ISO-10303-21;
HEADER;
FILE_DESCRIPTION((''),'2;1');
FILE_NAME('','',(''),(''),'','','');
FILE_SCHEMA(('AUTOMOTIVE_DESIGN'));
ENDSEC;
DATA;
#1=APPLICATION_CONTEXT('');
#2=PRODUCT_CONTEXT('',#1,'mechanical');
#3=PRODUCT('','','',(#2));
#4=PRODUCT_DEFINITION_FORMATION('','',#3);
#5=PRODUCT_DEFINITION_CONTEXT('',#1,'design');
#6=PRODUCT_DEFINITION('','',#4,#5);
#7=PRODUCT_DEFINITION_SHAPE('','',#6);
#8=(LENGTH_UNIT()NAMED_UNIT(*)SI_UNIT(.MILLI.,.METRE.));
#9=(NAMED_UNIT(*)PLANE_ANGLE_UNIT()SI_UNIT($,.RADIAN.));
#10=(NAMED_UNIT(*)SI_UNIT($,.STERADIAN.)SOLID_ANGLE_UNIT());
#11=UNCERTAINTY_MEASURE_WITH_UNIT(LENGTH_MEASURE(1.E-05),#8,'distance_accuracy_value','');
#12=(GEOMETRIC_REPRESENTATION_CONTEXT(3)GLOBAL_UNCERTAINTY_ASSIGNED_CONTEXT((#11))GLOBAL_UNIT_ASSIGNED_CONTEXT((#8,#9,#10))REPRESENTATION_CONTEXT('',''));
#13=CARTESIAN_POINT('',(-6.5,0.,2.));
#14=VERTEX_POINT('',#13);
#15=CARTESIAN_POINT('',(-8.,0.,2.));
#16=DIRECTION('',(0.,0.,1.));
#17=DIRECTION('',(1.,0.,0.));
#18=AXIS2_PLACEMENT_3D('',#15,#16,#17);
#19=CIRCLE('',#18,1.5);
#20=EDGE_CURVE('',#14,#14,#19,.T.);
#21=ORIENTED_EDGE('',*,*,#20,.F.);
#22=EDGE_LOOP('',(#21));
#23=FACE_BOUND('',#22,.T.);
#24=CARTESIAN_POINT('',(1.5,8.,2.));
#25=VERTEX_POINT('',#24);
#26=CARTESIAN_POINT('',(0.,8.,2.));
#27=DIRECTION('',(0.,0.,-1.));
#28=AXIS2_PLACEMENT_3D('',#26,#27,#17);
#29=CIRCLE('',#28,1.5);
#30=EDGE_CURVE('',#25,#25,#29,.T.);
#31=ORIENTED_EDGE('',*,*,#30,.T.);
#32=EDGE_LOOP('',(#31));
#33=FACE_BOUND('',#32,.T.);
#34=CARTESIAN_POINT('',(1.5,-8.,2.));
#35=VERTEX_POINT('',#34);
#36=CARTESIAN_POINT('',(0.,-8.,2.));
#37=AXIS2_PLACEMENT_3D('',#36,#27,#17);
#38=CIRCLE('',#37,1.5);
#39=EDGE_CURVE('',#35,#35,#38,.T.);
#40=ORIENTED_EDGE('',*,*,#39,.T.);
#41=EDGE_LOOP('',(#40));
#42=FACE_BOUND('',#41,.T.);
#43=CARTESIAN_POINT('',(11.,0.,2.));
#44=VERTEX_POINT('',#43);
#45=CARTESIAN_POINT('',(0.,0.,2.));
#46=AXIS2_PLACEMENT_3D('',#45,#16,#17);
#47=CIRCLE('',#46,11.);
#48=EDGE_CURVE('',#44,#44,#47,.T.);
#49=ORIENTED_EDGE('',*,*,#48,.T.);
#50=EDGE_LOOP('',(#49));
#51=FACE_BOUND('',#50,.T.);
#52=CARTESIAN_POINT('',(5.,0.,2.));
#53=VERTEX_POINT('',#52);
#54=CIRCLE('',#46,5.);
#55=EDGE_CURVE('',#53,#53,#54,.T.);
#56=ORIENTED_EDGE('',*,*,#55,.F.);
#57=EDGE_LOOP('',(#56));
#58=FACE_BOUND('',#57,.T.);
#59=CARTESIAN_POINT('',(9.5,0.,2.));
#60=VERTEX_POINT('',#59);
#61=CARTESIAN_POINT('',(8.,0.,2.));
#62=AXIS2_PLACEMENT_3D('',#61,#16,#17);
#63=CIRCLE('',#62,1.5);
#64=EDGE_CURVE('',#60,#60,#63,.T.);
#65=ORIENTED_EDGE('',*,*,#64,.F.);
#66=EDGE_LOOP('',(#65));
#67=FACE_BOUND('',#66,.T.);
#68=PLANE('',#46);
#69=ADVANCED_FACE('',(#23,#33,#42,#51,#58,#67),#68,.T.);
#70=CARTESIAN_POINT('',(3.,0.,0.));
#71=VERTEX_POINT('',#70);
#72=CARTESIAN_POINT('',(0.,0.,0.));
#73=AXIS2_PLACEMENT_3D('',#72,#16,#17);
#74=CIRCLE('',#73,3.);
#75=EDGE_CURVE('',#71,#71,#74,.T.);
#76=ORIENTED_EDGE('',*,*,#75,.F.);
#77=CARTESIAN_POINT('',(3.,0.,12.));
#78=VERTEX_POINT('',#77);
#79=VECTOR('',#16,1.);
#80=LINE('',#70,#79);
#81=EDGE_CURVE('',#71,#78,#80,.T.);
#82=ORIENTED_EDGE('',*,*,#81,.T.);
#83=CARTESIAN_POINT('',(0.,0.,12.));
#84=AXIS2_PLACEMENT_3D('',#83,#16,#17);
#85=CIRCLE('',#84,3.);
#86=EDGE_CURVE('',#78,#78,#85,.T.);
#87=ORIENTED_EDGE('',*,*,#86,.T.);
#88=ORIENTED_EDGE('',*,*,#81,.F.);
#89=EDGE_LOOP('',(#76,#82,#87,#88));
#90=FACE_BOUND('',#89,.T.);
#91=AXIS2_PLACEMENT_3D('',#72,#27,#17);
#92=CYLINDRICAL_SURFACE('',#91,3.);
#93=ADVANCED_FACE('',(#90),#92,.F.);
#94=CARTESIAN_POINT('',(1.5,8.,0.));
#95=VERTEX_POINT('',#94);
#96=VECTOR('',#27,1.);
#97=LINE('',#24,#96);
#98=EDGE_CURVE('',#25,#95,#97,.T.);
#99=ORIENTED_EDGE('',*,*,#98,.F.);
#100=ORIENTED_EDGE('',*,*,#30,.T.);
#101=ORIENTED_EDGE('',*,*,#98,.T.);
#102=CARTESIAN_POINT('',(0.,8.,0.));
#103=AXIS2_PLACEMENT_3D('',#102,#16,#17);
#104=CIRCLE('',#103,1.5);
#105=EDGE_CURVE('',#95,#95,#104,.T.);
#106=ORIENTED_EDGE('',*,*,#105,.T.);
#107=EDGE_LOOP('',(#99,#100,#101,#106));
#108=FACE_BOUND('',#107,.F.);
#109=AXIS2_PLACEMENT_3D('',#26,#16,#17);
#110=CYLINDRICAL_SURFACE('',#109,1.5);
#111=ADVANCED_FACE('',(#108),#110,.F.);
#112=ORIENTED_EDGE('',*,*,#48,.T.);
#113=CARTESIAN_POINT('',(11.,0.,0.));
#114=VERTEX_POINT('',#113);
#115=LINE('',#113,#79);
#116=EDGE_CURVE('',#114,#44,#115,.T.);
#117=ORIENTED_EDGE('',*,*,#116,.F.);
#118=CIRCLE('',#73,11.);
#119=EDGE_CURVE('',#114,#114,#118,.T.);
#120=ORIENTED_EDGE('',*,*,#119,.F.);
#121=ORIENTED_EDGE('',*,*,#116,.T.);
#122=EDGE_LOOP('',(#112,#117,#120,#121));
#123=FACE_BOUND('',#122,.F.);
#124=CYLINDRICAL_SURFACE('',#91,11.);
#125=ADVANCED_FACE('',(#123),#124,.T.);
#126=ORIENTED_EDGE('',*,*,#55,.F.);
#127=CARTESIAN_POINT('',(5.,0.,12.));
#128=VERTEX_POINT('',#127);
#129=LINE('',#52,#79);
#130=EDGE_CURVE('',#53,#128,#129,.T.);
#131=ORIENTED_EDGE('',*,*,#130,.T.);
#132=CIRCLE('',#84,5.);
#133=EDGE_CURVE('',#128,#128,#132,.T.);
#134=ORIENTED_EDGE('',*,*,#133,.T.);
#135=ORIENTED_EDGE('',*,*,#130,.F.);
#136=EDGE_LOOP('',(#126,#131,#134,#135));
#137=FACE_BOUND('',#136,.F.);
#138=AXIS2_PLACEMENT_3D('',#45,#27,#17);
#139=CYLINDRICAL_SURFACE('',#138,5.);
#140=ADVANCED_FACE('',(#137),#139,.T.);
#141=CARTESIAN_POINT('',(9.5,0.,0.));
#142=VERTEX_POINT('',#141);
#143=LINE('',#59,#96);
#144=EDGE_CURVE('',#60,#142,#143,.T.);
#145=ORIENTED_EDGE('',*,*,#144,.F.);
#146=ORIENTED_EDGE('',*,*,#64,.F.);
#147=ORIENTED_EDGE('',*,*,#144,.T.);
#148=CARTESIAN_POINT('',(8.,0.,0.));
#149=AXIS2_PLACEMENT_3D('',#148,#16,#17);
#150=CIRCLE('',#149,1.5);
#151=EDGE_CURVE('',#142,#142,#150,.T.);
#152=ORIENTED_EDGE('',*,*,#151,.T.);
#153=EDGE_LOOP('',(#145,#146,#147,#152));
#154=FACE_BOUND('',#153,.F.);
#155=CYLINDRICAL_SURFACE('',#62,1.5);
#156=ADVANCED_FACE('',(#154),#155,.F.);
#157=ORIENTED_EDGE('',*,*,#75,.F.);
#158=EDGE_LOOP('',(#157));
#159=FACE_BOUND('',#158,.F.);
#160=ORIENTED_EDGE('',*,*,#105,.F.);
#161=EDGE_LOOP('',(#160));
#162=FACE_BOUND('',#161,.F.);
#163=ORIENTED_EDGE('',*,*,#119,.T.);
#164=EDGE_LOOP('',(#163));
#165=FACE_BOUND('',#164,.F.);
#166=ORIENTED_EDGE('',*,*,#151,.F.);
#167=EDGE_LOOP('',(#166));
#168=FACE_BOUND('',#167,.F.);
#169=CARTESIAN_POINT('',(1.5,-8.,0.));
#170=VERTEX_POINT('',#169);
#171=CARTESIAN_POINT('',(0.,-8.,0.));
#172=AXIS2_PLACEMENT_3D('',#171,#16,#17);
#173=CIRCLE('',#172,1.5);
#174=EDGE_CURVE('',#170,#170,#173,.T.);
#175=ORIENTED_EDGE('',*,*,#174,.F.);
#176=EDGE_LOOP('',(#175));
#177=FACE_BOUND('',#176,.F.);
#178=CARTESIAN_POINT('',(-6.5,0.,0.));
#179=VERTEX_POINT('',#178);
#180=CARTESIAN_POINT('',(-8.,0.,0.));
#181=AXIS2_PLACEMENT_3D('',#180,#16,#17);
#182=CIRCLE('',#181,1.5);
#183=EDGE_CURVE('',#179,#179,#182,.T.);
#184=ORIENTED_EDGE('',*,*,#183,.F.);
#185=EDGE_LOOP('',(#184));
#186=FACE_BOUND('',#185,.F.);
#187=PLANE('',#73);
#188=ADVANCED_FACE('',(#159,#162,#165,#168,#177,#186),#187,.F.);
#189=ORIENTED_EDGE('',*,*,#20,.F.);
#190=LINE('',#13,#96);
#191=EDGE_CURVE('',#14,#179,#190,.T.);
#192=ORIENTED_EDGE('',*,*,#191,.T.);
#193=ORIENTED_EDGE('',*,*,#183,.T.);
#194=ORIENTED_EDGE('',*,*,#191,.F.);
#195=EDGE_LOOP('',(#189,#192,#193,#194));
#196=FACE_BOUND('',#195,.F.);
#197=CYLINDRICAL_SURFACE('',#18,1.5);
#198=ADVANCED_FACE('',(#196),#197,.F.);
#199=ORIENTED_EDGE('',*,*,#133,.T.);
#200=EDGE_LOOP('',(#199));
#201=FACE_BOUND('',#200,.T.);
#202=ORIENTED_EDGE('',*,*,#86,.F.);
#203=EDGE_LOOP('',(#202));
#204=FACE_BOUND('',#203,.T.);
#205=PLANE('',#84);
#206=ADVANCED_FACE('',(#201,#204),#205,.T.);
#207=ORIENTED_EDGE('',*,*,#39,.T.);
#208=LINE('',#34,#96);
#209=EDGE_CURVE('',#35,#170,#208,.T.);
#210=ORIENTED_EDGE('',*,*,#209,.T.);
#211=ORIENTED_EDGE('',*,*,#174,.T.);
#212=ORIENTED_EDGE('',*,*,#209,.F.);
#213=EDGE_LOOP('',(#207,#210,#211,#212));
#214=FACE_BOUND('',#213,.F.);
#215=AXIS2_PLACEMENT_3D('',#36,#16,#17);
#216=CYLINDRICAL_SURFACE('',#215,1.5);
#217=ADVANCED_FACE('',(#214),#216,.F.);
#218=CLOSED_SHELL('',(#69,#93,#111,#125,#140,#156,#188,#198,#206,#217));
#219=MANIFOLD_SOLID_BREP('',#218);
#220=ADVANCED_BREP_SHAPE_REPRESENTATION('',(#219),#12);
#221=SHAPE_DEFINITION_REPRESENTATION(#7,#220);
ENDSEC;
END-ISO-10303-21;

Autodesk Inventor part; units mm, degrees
ref_plane "YZ Plane" through (0, 0, 0) normal (1, 0, 0) x (0, 1, 0)
ref_plane "XZ Plane" through (0, 0, 0) normal (0, 1, 0) x (-1, 0, 0)
ref_plane "XY Plane" through (0, 0, 0) normal (0, 0, 1) x (1, 0, 0)
sketch "草图1" plane through (0, 0, 0) normal (0, 0, 1) x (1, 0, 0)
  circle A0 centre (0, 0) radius 11
  circle A1 centre (0, 0) radius 3
  dimension "d0" = 22
  dimension "d1" = 6
extrude "拉伸1" add sketch "草图1" along normal blind 2
sketch "草图2" plane through (0, 0, 2) normal (0, 0, 1) x (1, 0, 0)
  circle A0 centre (0, 0) radius 3 projected
  circle A1 centre (0, 0) radius 5
  dimension "d4" = 10
extrude "拉伸2" add sketch "草图2" along normal blind 10
sketch "草图3" plane through (0, 0, 2) normal (0, 0, 1) x (1, 0, 0)
  circle A0 centre (0, 0) radius 8 construction
  circle A1 centre (0, 8) radius 1.5
  line L0 (0, 16.5468) -> (0, -16.1007)
  circle A2 centre (-8, 0) radius 1.5
  circle A3 centre (0, -8) radius 1.5
  circle A4 centre (8, 0) radius 1.5
  dimension "d7" = 16
  dimension "d8" = 3
  dimension "d11" = 360
extrude "拉伸3" cut sketch "草图3" against normal blind 10
properties part number "驱动轮法兰"
